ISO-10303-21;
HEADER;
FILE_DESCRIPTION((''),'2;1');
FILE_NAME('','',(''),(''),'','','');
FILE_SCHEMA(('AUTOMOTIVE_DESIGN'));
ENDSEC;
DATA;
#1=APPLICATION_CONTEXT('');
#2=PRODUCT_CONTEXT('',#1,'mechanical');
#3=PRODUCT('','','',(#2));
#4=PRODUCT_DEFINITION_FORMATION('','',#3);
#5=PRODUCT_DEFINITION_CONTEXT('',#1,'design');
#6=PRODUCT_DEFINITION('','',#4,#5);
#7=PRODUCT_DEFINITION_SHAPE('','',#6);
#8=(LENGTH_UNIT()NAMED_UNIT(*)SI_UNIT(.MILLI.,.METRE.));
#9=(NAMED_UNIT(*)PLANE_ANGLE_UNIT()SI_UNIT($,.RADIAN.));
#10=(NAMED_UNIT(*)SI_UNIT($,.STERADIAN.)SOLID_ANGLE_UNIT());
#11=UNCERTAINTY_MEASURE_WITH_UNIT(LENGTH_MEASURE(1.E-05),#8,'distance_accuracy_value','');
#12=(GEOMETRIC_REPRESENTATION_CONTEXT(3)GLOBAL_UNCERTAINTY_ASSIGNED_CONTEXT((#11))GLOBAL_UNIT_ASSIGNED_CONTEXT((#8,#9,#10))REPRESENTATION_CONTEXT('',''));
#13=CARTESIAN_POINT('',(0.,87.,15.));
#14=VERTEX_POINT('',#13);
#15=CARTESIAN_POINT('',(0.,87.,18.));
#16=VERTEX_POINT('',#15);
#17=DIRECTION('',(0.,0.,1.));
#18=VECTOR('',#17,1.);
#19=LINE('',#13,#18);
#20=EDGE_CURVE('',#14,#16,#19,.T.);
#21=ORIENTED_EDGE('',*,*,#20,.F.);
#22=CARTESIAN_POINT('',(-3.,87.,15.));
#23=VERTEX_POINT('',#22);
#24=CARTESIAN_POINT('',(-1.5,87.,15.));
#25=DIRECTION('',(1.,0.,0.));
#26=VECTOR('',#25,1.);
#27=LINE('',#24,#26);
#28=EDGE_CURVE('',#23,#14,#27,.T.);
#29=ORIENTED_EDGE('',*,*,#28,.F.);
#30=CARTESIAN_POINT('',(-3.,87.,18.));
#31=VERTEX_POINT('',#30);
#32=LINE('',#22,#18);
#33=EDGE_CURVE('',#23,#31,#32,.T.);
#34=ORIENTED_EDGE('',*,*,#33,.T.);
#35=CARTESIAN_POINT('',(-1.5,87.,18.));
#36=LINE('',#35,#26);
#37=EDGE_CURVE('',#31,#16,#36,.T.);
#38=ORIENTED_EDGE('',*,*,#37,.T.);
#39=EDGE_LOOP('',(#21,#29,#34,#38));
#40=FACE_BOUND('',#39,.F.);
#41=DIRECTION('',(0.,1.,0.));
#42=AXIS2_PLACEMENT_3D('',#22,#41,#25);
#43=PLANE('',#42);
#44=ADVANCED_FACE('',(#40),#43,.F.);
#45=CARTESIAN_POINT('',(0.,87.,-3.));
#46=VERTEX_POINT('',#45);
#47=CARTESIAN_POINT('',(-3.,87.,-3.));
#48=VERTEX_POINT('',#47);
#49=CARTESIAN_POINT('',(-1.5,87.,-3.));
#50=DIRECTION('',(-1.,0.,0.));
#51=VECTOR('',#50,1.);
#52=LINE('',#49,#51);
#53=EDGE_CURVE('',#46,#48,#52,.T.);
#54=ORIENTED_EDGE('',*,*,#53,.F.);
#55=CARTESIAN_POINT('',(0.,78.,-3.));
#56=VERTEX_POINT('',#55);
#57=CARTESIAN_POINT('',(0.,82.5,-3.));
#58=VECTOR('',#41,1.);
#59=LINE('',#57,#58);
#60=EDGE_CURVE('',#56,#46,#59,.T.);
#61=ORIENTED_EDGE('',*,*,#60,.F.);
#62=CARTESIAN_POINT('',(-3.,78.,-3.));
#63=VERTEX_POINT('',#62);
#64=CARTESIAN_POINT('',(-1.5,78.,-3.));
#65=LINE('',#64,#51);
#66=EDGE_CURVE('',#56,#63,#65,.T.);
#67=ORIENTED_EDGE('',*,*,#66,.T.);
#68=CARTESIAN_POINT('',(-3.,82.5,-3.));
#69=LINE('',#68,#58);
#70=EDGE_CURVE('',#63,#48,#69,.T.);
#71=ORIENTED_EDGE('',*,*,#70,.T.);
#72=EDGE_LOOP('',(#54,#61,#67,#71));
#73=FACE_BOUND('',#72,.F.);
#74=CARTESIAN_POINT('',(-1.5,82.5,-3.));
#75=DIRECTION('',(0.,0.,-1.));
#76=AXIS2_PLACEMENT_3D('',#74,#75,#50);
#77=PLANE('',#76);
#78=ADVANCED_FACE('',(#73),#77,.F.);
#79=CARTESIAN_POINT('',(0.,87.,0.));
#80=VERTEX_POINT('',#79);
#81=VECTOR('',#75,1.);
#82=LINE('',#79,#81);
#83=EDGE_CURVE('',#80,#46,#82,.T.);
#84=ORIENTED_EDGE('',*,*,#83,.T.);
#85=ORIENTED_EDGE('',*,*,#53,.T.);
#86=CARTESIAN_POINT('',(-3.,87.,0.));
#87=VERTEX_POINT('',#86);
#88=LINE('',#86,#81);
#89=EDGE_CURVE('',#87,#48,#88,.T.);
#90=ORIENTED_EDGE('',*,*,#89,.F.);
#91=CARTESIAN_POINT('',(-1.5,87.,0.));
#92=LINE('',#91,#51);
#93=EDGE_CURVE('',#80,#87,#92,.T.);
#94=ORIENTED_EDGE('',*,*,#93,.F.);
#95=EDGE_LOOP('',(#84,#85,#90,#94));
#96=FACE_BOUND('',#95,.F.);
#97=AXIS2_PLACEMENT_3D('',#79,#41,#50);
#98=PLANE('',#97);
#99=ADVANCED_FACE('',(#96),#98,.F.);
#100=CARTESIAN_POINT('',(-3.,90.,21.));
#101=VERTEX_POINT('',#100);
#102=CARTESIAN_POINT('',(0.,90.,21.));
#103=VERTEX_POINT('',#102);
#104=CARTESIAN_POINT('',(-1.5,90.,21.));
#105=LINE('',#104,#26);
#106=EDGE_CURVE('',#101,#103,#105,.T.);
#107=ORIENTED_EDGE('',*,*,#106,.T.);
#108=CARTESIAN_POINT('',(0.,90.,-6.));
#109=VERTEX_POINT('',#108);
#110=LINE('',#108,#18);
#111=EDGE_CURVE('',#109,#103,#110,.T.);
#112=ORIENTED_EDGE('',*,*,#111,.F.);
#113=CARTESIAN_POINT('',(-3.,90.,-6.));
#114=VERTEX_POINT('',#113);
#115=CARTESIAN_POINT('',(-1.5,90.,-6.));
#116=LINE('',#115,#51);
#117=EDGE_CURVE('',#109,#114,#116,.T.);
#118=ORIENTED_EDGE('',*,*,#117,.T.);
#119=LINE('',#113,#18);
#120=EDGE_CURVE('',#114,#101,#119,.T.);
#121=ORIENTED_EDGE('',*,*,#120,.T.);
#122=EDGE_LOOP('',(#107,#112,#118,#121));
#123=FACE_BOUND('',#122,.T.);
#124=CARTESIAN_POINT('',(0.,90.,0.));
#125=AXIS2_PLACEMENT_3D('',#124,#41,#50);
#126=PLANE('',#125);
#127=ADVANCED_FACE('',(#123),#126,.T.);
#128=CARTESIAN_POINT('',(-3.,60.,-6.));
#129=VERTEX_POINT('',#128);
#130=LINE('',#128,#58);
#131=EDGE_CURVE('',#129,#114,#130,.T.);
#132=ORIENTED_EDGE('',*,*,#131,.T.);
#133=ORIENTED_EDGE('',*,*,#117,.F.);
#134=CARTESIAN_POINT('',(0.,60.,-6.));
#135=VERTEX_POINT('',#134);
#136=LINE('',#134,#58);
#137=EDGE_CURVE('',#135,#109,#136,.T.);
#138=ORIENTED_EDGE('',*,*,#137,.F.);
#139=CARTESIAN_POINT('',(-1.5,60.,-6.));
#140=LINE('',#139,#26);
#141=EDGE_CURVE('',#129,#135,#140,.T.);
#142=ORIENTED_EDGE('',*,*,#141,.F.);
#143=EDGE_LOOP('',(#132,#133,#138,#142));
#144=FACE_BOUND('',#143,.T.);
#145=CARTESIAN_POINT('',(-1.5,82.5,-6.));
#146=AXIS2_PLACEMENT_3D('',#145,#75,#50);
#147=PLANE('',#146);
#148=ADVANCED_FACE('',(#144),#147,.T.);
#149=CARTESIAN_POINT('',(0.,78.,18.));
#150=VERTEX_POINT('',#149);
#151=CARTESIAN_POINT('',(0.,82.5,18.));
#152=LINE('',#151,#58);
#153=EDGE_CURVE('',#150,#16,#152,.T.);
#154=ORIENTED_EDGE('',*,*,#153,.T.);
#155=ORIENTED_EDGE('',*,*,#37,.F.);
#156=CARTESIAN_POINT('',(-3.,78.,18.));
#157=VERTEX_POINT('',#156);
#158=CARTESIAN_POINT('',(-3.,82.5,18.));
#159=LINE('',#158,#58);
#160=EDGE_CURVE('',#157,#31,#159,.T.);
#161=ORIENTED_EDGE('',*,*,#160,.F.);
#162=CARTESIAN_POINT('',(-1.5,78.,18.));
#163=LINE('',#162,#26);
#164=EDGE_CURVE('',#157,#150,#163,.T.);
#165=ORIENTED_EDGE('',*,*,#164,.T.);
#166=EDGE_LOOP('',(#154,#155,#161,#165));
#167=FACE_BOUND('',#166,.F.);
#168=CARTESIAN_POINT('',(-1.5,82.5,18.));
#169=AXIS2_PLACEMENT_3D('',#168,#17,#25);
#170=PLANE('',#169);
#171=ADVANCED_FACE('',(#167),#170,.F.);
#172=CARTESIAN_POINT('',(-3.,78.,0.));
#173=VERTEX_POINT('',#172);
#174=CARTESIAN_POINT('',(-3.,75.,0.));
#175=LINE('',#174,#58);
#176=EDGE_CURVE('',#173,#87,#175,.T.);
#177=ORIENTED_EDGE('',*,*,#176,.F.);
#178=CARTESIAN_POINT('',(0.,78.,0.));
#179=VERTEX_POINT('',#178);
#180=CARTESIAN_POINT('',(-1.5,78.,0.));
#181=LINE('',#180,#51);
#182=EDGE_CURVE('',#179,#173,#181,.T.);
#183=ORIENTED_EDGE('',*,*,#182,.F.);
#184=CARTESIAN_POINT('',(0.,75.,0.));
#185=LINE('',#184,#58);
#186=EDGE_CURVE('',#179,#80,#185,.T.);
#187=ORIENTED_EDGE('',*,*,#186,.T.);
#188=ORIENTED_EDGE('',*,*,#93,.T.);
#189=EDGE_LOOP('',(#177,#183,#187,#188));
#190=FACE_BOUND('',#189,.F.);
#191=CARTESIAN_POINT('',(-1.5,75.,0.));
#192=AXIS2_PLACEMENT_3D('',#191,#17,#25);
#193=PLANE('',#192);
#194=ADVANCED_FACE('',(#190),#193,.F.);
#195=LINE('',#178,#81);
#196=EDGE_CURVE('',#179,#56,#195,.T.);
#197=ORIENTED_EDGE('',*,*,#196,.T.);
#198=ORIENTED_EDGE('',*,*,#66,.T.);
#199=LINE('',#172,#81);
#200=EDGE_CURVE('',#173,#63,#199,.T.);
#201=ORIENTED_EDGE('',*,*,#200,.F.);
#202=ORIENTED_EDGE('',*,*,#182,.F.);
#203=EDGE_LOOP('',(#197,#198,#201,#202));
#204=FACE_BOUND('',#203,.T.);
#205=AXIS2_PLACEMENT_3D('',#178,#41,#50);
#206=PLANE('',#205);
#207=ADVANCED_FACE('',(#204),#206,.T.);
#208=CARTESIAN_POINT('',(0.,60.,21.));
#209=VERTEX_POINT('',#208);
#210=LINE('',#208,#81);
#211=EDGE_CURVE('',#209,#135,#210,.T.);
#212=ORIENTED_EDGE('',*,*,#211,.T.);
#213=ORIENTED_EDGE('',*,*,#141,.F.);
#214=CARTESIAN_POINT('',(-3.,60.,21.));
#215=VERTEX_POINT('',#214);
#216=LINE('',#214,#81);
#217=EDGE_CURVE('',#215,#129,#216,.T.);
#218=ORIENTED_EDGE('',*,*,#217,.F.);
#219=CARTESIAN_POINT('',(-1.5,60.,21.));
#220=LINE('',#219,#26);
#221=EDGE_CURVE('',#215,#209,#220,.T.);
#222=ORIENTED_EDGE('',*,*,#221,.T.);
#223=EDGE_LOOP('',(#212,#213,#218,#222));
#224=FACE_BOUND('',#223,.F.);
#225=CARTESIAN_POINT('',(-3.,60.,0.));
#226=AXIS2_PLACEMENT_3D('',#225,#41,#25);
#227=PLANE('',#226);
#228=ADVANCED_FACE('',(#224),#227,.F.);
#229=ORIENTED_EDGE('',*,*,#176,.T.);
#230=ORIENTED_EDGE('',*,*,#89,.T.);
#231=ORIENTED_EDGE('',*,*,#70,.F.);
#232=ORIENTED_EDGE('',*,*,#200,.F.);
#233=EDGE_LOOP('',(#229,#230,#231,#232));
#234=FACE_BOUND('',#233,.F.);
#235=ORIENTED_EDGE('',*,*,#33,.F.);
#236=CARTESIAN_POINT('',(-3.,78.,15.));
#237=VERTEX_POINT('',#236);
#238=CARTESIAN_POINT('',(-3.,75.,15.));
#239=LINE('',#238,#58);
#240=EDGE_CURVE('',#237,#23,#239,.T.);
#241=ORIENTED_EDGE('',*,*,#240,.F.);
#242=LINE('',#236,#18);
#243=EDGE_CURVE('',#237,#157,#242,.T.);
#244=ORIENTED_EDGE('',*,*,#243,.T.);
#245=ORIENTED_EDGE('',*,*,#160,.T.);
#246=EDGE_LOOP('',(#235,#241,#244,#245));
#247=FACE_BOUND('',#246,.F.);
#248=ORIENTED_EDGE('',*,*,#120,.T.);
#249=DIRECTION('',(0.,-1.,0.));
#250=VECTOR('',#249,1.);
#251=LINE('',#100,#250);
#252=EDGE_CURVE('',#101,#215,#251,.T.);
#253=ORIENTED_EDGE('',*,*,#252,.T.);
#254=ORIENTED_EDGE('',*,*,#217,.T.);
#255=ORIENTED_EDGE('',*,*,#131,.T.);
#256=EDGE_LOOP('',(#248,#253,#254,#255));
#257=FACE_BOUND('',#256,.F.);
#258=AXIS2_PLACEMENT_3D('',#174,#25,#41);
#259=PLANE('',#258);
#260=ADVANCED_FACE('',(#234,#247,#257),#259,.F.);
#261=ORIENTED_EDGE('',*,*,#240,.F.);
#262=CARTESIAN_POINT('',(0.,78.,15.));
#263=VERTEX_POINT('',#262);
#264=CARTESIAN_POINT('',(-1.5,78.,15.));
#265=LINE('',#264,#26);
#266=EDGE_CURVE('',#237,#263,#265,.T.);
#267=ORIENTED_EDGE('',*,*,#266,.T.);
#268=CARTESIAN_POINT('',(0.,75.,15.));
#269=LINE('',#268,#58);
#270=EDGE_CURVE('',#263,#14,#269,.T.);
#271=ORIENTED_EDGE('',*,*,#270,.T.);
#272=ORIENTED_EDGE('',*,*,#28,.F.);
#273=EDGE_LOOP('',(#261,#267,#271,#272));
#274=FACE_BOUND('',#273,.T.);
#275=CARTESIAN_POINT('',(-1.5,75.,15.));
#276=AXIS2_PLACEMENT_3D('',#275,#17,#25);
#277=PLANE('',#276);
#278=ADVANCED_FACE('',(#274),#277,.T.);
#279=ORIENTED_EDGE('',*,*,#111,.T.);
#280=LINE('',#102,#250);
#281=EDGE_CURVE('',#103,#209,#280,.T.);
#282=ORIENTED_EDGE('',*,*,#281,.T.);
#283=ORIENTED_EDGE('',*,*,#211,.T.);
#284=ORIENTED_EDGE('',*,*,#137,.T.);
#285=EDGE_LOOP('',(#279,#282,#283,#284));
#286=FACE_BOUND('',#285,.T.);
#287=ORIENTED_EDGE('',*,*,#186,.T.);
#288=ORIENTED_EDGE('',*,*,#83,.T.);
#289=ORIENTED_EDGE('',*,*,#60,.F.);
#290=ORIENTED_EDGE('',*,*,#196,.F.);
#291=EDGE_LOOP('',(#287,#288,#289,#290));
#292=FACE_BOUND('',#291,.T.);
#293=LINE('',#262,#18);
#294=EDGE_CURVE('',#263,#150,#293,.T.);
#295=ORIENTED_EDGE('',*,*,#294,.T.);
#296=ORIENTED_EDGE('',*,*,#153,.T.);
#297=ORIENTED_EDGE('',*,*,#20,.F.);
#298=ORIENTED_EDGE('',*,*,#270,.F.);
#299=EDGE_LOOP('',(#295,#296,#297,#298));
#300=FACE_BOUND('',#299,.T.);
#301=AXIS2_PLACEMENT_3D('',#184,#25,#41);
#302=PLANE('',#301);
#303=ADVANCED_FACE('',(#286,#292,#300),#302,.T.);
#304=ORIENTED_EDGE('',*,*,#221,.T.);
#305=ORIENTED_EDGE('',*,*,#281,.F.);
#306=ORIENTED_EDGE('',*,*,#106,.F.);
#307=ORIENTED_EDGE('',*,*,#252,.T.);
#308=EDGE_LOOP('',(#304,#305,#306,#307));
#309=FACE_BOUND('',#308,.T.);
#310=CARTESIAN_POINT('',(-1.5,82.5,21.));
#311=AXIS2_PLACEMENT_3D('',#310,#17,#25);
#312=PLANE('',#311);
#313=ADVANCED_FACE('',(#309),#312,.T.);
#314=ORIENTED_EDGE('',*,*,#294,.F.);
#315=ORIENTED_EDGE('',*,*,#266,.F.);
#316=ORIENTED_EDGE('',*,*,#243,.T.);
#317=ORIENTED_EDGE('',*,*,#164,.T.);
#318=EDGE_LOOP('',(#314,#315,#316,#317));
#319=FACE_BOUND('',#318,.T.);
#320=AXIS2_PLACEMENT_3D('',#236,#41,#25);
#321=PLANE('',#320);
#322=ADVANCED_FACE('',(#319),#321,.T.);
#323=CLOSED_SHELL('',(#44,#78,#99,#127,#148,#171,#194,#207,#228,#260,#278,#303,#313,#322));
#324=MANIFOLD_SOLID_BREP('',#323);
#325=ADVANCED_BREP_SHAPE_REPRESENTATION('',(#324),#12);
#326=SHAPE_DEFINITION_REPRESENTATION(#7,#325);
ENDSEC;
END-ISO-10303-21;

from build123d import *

# Parameters (mm, degrees)
BOX078_W               = 3
BOX078_H               = 15
BOX078_DEPTH           = 6
BOX042_W               = 3
BOX042_H               = 9
BOX042_DEPTH           = 3
BOX041_W               = 3
BOX041_H               = 15
BOX041_DEPTH           = 6
BOX044_W               = 3
BOX044_H               = 9
BOX044_DEPTH           = 3
BOX043_W               = 3
BOX043_H               = 15
BOX043_DEPTH           = 6
CUT014_PLACEMENT_ANGLE = 180
BOX040_W               = 3
BOX040_H               = 30
BOX040_DEPTH           = 15
BOX079_W               = 3
BOX079_H               = 15
BOX079_DEPTH           = 6


with BuildPart() as cube002:
    # Box078 → Box078 (new body)
    with BuildSketch(Plane(origin=(-3, 60, 15), x_dir=(1, 0, 0), z_dir=(0, 0, 1))):
        with Locations((1.5, 7.5)):
            Rectangle(BOX078_W, BOX078_H)
    extrude(amount=BOX078_DEPTH)


with BuildPart() as w_rfel042:
    # Box042 → Box042 (new body)
    with BuildSketch(Plane(origin=(0, 3, 0), x_dir=(1, 0, 0), z_dir=(0, 0, 1))):
        with Locations((1.5, 4.5)):
            Rectangle(BOX042_W, BOX042_H)
    extrude(amount=BOX042_DEPTH)


with BuildPart() as loop004:
    # Box041 → Box041 (new body)
    with BuildSketch(Plane.XY):
        with Locations((1.5, 7.5)):
            Rectangle(BOX041_W, BOX041_H)
    extrude(amount=BOX041_DEPTH)

    # Cut013: cut Würfel042
    add(w_rfel042.part, mode=Mode.SUBTRACT)


with BuildPart() as loop004_1:
    # Cut013 placement: moved
    add(loop004.part.moved(Location((30, 75, 15))))


with BuildPart() as w_rfel044:
    # Box044 → Box044 (new body)
    with BuildSketch(Plane(origin=(0, 3, 0), x_dir=(1, 0, 0), z_dir=(0, 0, 1))):
        with Locations((1.5, 4.5)):
            Rectangle(BOX044_W, BOX044_H)
    extrude(amount=BOX044_DEPTH)


with BuildPart() as loop005:
    # Box043 → Box043 (new body)
    with BuildSketch(Plane.XY):
        with Locations((1.5, 7.5)):
            Rectangle(BOX043_W, BOX043_H)
    extrude(amount=BOX043_DEPTH)

    # Cut014: cut Würfel044
    add(w_rfel044.part, mode=Mode.SUBTRACT)


with BuildPart() as loop005_1:
    # Cut014 placement: moved
    add(loop005.part.moved(Location((33, 75, 0))).rotate(Axis((33, 75, 0), (0, 1, 0)), CUT014_PLACEMENT_ANGLE))


with BuildPart() as sideplate002:
    # Box040 → Box040 (new body)
    with BuildSketch(Plane(origin=(30, 60, 0), x_dir=(1, 0, 0), z_dir=(0, 0, 1))):
        with Locations((1.5, 15)):
            Rectangle(BOX040_W, BOX040_H)
    extrude(amount=BOX040_DEPTH)

    # Fusion010: union Loop004, Loop005
    add(loop004_1.part)
    add(loop005_1.part)


with BuildPart() as sideplate002_1:
    # Fusion010 placement: moved
    add(sideplate002.part.moved(Location((-33, 0, 0))))


with BuildPart() as fusion023:
    # Box079 → Box079 (new body)
    with BuildSketch(Plane(origin=(-3, 60, -6), x_dir=(1, 0, 0), z_dir=(0, 0, 1))):
        with Locations((1.5, 7.5)):
            Rectangle(BOX079_W, BOX079_H)
    extrude(amount=BOX079_DEPTH)

    # Fusion023: union Cube002, SidePlate002
    add(cube002.part)
    add(sideplate002_1.part)


solid = fusion023.part
